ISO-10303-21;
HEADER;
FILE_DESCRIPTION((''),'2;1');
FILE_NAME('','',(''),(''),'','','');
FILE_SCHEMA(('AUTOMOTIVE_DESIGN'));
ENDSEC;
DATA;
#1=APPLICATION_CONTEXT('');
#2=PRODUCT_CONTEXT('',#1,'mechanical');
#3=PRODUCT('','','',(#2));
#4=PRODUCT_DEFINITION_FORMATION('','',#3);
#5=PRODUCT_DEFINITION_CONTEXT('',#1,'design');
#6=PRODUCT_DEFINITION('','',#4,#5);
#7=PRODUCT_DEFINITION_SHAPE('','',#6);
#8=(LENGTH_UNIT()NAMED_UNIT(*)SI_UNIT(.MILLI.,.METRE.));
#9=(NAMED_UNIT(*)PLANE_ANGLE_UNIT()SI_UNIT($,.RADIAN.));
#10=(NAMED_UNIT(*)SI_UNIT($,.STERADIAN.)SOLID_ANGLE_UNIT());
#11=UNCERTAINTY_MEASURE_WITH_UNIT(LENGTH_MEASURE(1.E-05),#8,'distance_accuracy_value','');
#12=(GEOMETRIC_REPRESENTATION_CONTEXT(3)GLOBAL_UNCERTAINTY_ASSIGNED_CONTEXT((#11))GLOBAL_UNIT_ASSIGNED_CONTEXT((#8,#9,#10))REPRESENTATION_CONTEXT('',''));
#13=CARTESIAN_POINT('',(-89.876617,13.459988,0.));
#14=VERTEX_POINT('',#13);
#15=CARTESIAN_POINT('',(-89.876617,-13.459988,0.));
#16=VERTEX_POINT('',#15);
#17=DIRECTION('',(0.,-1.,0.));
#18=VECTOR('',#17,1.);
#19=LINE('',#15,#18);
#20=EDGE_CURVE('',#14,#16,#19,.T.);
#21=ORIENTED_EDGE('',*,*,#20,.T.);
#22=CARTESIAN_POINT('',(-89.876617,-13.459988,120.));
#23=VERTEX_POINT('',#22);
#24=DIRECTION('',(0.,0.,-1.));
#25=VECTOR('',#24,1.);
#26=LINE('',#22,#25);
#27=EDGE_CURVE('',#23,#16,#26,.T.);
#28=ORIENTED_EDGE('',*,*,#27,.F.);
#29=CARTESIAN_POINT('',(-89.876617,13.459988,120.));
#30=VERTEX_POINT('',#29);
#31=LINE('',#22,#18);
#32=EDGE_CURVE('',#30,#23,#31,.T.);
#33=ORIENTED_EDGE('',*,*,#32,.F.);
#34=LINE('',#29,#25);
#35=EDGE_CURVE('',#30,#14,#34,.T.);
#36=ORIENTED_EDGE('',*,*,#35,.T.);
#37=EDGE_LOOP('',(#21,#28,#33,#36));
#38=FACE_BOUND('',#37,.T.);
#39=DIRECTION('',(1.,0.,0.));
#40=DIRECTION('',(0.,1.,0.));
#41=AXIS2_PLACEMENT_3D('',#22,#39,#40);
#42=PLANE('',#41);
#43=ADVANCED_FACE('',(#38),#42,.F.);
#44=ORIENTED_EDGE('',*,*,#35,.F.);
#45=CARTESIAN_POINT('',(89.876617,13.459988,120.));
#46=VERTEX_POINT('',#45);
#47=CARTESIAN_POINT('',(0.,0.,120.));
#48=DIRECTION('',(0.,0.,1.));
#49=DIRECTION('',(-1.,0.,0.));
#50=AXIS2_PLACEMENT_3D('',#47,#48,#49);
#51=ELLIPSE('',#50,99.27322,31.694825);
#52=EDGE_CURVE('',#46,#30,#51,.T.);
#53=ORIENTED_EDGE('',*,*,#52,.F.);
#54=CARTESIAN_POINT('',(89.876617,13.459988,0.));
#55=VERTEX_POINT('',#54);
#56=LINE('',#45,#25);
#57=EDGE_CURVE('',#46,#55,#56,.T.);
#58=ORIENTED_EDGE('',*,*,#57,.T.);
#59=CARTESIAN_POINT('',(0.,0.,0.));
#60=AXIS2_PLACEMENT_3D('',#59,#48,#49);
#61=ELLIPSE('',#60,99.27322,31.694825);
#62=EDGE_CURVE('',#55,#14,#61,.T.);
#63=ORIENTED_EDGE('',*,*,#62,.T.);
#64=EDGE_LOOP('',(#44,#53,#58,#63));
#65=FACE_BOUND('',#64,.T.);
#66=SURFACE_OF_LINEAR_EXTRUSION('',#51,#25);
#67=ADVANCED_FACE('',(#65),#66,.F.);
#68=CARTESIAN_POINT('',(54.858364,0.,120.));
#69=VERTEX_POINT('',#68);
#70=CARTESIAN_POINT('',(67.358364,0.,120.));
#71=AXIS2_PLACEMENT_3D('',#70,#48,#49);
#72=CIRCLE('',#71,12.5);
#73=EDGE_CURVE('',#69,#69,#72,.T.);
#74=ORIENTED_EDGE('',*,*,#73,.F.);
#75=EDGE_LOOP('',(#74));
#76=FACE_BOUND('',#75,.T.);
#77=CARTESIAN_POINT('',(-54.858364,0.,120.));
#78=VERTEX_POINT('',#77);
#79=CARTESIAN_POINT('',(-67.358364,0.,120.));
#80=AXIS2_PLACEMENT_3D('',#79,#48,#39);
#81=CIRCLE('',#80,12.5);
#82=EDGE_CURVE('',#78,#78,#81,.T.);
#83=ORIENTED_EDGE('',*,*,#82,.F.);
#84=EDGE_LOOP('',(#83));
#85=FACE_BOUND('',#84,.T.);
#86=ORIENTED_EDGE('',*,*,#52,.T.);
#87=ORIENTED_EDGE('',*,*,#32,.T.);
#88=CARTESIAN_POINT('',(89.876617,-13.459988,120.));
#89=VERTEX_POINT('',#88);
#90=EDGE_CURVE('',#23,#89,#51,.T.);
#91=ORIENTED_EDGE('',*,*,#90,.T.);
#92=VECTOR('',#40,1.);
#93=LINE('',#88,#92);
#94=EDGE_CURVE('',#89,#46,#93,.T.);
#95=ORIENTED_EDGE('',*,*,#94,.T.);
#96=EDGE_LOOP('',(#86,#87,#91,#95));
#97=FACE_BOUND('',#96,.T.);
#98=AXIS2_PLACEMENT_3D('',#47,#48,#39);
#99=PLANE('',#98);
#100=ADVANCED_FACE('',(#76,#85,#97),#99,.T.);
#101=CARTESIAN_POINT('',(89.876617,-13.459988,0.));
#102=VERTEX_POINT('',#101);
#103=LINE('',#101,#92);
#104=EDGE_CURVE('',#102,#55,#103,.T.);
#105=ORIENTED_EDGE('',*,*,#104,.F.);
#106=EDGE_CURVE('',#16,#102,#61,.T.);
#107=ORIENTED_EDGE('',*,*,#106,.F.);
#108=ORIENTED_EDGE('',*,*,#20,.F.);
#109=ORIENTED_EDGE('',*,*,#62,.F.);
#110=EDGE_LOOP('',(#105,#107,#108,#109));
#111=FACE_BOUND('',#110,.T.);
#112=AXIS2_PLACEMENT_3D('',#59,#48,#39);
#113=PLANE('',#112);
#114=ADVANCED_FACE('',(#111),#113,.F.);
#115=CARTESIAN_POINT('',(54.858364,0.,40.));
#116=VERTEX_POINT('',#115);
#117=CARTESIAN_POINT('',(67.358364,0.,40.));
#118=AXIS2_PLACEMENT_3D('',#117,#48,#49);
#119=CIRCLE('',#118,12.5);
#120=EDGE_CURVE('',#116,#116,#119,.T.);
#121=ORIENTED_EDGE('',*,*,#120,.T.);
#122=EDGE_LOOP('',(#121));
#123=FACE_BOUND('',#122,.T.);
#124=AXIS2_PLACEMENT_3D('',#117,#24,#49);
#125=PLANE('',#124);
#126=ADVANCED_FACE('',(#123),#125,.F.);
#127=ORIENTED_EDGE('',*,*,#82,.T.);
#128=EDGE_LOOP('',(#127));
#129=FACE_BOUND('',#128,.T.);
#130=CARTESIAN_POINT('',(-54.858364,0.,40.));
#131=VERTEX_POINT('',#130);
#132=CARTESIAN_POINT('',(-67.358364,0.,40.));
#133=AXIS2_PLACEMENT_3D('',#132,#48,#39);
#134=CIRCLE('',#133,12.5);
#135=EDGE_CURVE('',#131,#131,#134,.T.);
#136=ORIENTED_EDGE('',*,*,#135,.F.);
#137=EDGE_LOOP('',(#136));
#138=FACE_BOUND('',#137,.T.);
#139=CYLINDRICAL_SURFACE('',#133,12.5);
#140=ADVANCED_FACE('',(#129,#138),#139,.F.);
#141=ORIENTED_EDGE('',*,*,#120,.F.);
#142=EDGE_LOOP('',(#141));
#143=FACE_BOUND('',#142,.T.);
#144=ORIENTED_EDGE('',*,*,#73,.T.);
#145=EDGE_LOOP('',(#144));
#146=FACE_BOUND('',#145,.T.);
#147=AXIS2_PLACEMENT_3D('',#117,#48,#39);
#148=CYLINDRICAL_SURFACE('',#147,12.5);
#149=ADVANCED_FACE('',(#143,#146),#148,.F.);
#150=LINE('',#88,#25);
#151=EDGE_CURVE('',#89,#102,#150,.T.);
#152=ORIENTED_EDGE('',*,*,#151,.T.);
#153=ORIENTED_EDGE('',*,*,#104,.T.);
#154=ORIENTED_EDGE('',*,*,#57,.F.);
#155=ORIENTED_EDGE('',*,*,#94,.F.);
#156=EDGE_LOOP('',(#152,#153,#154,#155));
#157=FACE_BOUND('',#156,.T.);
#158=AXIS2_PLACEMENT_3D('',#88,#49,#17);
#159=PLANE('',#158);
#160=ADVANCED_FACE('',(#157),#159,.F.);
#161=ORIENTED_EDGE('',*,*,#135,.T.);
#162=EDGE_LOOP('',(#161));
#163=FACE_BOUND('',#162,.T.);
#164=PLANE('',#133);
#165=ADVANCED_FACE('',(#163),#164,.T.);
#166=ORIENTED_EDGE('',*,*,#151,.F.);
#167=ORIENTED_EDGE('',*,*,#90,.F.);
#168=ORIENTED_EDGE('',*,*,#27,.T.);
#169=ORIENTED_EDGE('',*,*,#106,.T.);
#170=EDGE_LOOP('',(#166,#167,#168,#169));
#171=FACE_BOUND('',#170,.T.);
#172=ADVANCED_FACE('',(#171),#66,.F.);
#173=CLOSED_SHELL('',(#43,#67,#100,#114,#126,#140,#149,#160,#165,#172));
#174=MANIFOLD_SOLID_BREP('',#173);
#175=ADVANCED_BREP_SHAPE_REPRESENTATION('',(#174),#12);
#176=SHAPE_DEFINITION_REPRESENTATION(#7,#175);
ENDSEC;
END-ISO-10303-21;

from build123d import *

# Parameters (mm, degrees)
BOSS_EXTRUDE1_DEPTH = 120
SKETCH2_R           = 12.5
CUT_EXTRUDE1_DEPTH  = 80


with BuildPart() as part:
    # Sketch1 → Boss-Extrude1 (new body)
    with BuildSketch(Plane.XY):
        with BuildLine():
            Line((-89.876617225, -13.45998777), (-89.876617225, 13.45998777))
            add(Edge.make_bspline(
                [(89.876617225, 13.45998777), (0, 74.633199683), (-89.876617225, 13.45998777)],
                knots=[3.580195105, 3.580195105, 3.580195105, 5.844582856, 5.844582856, 5.844582856], degree=2, weights=[1, 0.424674615, 1]))
            Line((89.876617225, 13.45998777), (89.876617225, -13.45998777))
            add(Edge.make_bspline(
                [(-89.876617225, -13.45998777), (0, -74.633199683), (89.876617225, -13.45998777)],
                knots=[0.438602452, 0.438602452, 0.438602452, 2.702990202, 2.702990202, 2.702990202], degree=2, weights=[1, 0.424674615, 1]))
        make_face()
    extrude(amount=BOSS_EXTRUDE1_DEPTH)

    # Sketch2 → Cut-Extrude1 (cut)
    with BuildSketch(Plane.XY.offset(120)):
        with Locations((-67.358364495, 0)):
            Circle(SKETCH2_R)
        with Locations(Location((67.358364495, 0, 0), (0, 0, 180))):
            Circle(SKETCH2_R)
    extrude(amount=-CUT_EXTRUDE1_DEPTH, mode=Mode.SUBTRACT)


solid = part.part
